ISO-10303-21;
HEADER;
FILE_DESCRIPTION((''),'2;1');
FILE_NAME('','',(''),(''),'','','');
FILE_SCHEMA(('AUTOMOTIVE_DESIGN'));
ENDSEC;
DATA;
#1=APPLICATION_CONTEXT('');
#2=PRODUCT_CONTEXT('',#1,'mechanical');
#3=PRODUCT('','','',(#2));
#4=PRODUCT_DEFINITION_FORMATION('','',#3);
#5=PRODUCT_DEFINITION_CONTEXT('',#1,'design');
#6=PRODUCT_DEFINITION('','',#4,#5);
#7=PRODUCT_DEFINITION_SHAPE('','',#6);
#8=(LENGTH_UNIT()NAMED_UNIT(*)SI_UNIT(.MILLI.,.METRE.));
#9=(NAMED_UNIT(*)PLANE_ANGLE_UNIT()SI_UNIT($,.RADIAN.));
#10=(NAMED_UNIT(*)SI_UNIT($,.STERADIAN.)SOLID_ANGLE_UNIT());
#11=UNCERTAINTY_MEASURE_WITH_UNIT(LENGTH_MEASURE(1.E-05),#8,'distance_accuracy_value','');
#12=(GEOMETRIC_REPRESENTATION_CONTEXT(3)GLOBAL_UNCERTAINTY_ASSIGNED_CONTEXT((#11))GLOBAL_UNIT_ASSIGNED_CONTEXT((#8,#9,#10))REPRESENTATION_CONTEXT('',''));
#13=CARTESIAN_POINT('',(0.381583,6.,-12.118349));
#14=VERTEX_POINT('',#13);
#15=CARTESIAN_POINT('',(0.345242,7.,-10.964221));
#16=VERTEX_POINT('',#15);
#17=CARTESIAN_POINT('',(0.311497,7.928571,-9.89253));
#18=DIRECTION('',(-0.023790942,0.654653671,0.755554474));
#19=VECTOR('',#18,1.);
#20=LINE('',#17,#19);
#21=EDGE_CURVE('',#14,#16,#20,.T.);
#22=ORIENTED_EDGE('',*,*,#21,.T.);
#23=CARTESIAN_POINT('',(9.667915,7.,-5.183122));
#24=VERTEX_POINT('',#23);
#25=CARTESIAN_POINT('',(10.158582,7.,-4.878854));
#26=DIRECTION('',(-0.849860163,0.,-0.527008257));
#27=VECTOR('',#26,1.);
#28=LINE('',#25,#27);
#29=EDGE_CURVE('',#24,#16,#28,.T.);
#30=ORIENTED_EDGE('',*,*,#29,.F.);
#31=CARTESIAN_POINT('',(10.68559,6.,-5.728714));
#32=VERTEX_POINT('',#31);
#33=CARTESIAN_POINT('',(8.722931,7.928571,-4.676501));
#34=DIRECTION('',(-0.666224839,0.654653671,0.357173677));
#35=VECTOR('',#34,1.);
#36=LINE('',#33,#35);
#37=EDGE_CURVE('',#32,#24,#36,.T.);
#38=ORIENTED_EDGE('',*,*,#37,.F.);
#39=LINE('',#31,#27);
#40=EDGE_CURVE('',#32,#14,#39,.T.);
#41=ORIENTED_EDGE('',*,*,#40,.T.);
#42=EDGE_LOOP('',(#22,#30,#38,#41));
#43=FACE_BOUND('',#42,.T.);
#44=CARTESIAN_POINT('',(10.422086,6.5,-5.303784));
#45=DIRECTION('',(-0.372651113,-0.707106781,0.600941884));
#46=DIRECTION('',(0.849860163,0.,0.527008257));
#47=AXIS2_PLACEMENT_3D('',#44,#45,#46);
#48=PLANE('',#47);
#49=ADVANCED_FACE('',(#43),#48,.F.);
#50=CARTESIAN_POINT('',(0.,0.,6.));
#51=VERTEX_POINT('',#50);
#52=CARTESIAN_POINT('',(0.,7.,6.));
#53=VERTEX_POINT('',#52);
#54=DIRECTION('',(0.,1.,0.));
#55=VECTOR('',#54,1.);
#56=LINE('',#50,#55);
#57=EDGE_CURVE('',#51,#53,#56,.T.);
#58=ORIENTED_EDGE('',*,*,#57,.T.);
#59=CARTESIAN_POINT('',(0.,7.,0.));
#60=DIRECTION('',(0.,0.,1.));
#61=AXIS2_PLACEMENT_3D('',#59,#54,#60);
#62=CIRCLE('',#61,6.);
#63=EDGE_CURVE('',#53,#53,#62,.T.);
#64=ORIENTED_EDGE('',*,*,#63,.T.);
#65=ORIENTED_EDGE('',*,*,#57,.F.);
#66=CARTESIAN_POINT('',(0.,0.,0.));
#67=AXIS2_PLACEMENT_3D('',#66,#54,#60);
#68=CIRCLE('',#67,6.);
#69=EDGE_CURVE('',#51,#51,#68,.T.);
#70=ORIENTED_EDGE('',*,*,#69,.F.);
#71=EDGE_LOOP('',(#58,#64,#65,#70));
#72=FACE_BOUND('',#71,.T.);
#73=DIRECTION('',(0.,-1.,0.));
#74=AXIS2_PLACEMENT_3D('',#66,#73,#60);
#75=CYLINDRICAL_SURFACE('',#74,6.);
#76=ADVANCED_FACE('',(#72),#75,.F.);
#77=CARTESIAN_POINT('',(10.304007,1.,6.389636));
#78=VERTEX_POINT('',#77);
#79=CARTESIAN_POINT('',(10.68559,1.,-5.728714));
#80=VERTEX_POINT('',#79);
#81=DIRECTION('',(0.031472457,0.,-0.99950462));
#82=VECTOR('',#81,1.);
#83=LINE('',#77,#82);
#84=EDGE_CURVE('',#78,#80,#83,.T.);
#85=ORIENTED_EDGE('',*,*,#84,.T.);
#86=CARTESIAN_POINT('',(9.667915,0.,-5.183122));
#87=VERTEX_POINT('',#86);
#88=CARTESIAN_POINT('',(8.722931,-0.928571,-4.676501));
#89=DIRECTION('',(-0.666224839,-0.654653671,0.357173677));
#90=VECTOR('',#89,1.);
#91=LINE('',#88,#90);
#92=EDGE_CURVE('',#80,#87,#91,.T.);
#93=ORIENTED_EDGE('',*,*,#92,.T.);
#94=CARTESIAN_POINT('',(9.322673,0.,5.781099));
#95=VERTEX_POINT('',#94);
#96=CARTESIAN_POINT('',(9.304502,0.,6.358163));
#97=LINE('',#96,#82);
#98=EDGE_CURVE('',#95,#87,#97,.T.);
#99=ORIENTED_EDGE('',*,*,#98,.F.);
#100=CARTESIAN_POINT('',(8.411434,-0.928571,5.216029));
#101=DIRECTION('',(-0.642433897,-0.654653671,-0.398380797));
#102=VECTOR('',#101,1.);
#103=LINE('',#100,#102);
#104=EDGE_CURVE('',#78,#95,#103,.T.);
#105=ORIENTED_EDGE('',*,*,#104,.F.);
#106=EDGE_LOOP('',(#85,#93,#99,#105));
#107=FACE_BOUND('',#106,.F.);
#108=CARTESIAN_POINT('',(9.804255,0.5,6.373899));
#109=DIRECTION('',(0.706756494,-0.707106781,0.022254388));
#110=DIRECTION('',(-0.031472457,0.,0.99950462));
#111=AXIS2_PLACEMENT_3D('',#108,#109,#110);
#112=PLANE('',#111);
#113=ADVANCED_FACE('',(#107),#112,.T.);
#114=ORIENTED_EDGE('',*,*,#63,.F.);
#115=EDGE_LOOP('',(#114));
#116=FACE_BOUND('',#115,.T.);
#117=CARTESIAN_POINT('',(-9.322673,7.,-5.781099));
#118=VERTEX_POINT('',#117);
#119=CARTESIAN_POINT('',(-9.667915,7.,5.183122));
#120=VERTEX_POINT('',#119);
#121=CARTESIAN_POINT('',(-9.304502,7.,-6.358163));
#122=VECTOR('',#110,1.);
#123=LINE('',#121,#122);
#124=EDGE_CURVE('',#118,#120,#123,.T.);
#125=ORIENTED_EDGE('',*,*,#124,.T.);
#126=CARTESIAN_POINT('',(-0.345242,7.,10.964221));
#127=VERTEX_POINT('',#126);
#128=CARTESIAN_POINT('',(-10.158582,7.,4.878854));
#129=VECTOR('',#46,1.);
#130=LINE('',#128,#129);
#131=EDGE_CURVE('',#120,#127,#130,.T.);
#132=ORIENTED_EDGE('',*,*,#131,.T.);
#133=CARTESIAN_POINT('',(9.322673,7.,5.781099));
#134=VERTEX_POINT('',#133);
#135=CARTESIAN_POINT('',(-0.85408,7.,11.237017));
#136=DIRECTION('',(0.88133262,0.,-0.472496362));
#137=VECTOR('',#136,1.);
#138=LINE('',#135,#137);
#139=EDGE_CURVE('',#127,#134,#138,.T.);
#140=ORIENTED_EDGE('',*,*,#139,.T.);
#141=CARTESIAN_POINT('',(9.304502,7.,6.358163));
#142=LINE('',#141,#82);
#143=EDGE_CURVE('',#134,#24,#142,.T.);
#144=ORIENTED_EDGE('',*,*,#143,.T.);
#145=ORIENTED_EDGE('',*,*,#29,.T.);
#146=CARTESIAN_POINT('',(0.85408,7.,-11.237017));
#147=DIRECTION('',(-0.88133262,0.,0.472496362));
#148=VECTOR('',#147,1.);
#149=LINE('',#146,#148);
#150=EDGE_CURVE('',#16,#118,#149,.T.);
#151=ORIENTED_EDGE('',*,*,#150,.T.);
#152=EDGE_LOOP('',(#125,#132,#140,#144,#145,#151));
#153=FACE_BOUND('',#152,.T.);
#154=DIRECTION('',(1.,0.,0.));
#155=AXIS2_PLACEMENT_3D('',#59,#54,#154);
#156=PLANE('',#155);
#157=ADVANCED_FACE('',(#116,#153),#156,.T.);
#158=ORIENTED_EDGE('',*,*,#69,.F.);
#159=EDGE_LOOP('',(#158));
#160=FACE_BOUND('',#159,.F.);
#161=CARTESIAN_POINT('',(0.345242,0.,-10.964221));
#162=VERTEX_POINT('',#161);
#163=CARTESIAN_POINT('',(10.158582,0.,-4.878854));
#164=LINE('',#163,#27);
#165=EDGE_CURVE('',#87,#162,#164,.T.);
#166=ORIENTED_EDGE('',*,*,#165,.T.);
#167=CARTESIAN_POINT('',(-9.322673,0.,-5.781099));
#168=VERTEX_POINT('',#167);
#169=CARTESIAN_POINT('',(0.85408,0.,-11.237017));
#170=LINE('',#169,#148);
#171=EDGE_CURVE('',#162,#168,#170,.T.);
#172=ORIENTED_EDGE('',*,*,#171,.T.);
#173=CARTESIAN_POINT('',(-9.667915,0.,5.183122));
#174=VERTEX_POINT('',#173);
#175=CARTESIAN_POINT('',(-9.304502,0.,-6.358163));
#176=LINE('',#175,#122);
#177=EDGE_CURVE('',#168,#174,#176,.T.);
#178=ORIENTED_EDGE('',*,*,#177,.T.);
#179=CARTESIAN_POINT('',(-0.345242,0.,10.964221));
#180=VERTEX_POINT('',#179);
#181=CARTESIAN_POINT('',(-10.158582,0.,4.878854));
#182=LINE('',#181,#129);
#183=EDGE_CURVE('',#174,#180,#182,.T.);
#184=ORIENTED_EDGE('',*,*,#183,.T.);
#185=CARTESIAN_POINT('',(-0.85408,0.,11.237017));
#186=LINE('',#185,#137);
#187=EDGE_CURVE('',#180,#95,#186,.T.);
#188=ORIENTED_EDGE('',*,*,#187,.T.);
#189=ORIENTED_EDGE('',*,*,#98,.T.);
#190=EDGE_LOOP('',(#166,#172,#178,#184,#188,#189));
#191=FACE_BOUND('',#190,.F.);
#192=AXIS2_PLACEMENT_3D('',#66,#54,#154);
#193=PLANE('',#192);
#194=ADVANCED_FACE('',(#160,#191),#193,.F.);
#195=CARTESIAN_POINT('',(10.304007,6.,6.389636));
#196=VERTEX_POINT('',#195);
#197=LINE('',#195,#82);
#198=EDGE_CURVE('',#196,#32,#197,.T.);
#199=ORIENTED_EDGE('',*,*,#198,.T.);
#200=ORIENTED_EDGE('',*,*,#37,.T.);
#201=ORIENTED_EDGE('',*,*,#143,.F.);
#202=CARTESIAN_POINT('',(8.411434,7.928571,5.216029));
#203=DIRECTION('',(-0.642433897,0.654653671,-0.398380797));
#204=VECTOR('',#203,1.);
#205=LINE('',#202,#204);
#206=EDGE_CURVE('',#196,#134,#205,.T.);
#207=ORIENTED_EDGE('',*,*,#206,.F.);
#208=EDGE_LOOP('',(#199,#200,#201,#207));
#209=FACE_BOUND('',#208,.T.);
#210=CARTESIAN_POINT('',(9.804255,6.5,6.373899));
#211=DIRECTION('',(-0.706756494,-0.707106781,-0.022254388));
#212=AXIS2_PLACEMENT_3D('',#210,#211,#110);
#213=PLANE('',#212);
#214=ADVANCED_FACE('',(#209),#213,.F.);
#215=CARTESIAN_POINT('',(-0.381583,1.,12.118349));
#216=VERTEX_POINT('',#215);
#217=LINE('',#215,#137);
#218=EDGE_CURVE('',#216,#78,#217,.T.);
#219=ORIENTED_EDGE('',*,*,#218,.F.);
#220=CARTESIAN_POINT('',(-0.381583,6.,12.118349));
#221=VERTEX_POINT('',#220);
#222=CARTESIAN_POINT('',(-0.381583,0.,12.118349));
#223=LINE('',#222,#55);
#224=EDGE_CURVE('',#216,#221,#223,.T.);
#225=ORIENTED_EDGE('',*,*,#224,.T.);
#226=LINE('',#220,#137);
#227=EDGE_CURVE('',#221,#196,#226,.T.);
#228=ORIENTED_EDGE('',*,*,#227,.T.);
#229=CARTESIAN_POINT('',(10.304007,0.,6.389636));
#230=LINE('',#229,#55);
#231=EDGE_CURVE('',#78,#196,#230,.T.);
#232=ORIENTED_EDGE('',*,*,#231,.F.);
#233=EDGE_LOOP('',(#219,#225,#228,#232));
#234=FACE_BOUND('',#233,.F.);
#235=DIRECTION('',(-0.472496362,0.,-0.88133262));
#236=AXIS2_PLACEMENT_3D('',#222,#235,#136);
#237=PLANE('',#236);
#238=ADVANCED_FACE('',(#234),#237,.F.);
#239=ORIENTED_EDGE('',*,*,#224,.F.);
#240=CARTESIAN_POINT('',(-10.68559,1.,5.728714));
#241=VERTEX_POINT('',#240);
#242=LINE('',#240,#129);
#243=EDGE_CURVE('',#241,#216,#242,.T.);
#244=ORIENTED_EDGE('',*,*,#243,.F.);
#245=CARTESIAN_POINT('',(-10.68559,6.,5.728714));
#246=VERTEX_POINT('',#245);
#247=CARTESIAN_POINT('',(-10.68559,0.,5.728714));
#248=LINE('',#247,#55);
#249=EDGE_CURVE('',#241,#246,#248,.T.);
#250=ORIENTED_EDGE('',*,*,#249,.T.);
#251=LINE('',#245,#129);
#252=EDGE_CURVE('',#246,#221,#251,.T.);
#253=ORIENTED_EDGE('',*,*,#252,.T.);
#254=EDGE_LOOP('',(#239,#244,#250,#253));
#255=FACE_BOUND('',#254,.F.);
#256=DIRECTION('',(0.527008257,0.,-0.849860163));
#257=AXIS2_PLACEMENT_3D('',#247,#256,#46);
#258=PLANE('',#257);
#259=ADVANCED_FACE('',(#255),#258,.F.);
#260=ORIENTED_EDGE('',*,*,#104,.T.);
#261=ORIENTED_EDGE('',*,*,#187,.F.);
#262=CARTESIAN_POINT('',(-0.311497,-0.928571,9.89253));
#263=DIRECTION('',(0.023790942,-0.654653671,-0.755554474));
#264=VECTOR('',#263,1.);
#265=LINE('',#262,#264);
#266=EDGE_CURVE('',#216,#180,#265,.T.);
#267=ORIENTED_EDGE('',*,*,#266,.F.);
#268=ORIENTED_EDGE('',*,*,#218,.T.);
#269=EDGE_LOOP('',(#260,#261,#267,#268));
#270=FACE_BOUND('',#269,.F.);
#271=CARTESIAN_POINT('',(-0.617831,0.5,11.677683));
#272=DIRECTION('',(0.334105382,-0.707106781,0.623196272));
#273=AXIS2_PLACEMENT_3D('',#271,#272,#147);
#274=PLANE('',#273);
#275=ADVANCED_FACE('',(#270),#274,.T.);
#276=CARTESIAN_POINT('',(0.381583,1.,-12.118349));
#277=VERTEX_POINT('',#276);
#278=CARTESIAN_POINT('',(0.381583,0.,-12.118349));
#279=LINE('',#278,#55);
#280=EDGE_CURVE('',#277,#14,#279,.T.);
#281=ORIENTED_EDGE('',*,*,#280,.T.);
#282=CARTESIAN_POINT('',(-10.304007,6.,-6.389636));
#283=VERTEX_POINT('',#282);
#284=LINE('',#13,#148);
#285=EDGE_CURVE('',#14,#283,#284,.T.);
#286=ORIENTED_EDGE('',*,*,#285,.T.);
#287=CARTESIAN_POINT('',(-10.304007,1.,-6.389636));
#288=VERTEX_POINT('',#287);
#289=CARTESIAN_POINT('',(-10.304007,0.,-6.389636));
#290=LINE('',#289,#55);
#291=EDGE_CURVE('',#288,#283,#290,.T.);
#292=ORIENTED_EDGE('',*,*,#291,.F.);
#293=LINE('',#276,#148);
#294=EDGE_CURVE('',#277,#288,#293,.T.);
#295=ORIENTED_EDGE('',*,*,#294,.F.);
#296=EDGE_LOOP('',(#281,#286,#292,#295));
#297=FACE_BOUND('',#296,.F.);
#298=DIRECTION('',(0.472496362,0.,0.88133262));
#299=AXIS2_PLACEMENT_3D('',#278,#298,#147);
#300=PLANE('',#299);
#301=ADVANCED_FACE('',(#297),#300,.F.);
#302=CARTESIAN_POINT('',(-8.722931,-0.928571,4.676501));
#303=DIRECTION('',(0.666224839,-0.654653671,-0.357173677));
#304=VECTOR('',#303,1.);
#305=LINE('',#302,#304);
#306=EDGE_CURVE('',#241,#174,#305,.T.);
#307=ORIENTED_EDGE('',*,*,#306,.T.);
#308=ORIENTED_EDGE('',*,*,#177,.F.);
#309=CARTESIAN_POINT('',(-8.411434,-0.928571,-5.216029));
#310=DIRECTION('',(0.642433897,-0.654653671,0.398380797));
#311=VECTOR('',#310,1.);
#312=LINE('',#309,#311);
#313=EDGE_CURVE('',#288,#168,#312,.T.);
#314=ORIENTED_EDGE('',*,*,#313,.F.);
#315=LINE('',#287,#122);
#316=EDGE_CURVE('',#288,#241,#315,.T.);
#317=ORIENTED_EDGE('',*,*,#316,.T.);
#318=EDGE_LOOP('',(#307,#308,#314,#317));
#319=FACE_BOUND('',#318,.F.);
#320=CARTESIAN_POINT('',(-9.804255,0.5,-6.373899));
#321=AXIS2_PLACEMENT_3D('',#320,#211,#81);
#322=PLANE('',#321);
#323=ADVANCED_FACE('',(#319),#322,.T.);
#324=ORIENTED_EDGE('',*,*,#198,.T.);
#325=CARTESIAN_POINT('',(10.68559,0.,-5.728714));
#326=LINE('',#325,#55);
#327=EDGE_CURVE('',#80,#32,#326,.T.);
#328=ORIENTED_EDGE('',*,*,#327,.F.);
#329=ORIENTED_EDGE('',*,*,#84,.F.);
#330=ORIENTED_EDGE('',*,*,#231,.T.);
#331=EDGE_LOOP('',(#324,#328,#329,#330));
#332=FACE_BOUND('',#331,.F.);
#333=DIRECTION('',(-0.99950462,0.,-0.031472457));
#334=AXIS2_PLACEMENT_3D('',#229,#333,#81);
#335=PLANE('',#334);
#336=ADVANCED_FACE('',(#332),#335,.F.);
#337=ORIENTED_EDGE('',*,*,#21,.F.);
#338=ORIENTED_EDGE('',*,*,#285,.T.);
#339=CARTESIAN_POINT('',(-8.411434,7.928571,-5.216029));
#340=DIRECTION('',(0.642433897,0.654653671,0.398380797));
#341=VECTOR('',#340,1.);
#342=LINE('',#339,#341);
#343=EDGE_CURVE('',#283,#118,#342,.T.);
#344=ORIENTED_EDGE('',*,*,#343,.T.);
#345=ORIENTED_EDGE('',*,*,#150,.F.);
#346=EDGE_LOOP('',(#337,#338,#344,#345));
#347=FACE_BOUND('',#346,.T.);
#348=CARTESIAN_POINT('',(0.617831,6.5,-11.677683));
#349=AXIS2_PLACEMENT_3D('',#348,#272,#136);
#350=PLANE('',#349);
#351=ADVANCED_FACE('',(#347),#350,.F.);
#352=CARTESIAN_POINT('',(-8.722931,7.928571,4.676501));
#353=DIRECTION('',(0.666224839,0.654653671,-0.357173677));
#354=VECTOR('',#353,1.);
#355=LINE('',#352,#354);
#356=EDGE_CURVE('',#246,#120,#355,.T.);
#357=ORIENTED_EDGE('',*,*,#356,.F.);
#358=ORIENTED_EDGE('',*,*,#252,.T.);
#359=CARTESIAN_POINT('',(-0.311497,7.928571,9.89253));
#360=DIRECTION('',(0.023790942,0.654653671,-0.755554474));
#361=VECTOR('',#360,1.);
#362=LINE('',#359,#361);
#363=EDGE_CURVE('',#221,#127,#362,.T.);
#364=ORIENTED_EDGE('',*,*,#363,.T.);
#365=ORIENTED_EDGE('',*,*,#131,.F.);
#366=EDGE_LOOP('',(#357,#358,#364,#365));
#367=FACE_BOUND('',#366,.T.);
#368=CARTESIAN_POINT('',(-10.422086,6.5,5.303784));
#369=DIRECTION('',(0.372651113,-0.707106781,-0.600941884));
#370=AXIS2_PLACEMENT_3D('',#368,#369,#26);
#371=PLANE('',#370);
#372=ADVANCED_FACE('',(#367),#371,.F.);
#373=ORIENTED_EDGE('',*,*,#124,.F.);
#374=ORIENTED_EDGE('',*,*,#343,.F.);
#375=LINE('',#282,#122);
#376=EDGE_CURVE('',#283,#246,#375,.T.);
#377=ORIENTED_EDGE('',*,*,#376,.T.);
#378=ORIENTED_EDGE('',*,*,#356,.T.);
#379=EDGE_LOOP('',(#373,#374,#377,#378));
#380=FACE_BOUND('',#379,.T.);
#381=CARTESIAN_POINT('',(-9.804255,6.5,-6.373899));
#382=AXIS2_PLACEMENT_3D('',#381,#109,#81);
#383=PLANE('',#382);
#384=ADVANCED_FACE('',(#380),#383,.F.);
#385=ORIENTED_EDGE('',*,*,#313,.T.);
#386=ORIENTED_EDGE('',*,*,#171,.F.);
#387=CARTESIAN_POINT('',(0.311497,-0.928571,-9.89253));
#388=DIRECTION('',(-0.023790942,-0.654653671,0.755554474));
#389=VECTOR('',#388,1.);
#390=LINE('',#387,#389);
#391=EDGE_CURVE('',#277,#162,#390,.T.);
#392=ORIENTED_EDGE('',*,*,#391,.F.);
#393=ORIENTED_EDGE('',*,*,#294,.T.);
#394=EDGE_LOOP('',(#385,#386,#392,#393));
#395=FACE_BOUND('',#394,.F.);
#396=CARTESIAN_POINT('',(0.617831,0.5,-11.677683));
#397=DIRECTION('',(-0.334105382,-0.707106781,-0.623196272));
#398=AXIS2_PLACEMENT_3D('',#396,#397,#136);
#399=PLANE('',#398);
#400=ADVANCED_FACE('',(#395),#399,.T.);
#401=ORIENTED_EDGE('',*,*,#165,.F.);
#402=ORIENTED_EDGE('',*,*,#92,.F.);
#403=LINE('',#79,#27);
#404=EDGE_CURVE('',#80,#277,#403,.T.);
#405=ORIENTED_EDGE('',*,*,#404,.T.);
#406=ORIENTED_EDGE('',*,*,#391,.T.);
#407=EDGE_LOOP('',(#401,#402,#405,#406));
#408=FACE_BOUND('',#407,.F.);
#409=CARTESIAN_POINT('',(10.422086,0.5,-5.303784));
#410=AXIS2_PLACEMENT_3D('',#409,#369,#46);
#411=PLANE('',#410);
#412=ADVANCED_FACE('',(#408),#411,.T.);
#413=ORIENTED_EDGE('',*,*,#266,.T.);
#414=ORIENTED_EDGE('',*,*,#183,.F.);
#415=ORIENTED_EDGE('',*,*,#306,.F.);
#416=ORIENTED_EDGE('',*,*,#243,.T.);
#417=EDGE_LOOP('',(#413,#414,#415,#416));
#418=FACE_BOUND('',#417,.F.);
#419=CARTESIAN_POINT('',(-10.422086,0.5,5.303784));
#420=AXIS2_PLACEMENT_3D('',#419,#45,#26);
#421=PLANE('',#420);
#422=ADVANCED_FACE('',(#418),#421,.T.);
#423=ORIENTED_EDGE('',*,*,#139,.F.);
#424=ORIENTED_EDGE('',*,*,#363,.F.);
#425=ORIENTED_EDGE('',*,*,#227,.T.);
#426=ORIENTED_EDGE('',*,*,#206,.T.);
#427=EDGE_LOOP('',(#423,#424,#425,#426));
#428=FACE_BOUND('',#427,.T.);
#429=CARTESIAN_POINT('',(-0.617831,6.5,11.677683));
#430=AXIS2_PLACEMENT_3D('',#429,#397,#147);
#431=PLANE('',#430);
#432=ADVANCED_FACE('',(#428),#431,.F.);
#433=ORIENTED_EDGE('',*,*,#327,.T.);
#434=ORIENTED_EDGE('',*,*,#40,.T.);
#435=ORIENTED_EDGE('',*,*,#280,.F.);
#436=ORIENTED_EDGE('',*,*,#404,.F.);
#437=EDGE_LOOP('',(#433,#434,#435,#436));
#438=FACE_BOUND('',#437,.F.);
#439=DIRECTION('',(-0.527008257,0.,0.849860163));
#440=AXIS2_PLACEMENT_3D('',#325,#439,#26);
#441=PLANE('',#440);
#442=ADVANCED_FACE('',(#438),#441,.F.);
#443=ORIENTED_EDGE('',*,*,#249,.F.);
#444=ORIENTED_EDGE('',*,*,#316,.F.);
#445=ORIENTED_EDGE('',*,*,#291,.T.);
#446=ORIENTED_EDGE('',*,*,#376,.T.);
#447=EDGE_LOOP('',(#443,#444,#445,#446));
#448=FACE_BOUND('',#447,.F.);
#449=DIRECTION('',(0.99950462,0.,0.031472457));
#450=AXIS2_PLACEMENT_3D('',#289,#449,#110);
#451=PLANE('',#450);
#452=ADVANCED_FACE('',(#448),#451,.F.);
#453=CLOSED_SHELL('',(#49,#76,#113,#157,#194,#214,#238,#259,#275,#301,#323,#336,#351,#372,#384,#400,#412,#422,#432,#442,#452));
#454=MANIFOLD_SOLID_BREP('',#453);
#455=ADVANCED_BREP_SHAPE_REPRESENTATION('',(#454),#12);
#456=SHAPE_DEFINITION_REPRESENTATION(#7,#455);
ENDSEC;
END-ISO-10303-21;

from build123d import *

# Parameters (mm, degrees)
SKETCH_1_R      = 6
EXTRUDE_1_DEPTH = 7
CHAMFER_1_SIZE  = 1


with BuildPart() as part:
    # 草图1 → 拉伸1 (new body)
    with BuildSketch(Plane(origin=(0, 0, 0), x_dir=(1, 0, 0), z_dir=(0, 1, 0))):
        Polygon((10.304006871, -6.389635546), (10.685590139, 5.728713938), (0.381583268, 12.118349484), (-10.304006871, 6.389635546), (-10.685590139, -5.728713938), (-0.381583268, -12.118349484), align=None)
        with Locations(Location((0, 0, 0), (0, 0, 270))):
            Circle(SKETCH_1_R, mode=Mode.SUBTRACT)
    extrude(amount=EXTRUDE_1_DEPTH)

    # 倒角1
    chamfer_1_edges = [part.edges().sort_by_distance(p)[0] for p in [
        (5.533586703, 7, -8.923531711),
        (-4.961211801, 7, -9.253992515),
        (-10.494798505, 7, -0.330460804),
        (-5.533586703, 7, 8.923531711),
        (4.961211801, 7, 9.253992515),
        (-5.533586703, 0, 8.923531711),
        (-10.494798505, 0, -0.330460804),
        (-4.961211801, 0, -9.253992515),
        (10.494798505, 7, 0.330460804),
        (5.533586703, 0, -8.923531711),
        (10.494798505, 0, 0.330460804),
        (4.961211801, 0, 9.253992515),
    ]]
    chamfer(chamfer_1_edges, length=CHAMFER_1_SIZE)


solid = part.part
